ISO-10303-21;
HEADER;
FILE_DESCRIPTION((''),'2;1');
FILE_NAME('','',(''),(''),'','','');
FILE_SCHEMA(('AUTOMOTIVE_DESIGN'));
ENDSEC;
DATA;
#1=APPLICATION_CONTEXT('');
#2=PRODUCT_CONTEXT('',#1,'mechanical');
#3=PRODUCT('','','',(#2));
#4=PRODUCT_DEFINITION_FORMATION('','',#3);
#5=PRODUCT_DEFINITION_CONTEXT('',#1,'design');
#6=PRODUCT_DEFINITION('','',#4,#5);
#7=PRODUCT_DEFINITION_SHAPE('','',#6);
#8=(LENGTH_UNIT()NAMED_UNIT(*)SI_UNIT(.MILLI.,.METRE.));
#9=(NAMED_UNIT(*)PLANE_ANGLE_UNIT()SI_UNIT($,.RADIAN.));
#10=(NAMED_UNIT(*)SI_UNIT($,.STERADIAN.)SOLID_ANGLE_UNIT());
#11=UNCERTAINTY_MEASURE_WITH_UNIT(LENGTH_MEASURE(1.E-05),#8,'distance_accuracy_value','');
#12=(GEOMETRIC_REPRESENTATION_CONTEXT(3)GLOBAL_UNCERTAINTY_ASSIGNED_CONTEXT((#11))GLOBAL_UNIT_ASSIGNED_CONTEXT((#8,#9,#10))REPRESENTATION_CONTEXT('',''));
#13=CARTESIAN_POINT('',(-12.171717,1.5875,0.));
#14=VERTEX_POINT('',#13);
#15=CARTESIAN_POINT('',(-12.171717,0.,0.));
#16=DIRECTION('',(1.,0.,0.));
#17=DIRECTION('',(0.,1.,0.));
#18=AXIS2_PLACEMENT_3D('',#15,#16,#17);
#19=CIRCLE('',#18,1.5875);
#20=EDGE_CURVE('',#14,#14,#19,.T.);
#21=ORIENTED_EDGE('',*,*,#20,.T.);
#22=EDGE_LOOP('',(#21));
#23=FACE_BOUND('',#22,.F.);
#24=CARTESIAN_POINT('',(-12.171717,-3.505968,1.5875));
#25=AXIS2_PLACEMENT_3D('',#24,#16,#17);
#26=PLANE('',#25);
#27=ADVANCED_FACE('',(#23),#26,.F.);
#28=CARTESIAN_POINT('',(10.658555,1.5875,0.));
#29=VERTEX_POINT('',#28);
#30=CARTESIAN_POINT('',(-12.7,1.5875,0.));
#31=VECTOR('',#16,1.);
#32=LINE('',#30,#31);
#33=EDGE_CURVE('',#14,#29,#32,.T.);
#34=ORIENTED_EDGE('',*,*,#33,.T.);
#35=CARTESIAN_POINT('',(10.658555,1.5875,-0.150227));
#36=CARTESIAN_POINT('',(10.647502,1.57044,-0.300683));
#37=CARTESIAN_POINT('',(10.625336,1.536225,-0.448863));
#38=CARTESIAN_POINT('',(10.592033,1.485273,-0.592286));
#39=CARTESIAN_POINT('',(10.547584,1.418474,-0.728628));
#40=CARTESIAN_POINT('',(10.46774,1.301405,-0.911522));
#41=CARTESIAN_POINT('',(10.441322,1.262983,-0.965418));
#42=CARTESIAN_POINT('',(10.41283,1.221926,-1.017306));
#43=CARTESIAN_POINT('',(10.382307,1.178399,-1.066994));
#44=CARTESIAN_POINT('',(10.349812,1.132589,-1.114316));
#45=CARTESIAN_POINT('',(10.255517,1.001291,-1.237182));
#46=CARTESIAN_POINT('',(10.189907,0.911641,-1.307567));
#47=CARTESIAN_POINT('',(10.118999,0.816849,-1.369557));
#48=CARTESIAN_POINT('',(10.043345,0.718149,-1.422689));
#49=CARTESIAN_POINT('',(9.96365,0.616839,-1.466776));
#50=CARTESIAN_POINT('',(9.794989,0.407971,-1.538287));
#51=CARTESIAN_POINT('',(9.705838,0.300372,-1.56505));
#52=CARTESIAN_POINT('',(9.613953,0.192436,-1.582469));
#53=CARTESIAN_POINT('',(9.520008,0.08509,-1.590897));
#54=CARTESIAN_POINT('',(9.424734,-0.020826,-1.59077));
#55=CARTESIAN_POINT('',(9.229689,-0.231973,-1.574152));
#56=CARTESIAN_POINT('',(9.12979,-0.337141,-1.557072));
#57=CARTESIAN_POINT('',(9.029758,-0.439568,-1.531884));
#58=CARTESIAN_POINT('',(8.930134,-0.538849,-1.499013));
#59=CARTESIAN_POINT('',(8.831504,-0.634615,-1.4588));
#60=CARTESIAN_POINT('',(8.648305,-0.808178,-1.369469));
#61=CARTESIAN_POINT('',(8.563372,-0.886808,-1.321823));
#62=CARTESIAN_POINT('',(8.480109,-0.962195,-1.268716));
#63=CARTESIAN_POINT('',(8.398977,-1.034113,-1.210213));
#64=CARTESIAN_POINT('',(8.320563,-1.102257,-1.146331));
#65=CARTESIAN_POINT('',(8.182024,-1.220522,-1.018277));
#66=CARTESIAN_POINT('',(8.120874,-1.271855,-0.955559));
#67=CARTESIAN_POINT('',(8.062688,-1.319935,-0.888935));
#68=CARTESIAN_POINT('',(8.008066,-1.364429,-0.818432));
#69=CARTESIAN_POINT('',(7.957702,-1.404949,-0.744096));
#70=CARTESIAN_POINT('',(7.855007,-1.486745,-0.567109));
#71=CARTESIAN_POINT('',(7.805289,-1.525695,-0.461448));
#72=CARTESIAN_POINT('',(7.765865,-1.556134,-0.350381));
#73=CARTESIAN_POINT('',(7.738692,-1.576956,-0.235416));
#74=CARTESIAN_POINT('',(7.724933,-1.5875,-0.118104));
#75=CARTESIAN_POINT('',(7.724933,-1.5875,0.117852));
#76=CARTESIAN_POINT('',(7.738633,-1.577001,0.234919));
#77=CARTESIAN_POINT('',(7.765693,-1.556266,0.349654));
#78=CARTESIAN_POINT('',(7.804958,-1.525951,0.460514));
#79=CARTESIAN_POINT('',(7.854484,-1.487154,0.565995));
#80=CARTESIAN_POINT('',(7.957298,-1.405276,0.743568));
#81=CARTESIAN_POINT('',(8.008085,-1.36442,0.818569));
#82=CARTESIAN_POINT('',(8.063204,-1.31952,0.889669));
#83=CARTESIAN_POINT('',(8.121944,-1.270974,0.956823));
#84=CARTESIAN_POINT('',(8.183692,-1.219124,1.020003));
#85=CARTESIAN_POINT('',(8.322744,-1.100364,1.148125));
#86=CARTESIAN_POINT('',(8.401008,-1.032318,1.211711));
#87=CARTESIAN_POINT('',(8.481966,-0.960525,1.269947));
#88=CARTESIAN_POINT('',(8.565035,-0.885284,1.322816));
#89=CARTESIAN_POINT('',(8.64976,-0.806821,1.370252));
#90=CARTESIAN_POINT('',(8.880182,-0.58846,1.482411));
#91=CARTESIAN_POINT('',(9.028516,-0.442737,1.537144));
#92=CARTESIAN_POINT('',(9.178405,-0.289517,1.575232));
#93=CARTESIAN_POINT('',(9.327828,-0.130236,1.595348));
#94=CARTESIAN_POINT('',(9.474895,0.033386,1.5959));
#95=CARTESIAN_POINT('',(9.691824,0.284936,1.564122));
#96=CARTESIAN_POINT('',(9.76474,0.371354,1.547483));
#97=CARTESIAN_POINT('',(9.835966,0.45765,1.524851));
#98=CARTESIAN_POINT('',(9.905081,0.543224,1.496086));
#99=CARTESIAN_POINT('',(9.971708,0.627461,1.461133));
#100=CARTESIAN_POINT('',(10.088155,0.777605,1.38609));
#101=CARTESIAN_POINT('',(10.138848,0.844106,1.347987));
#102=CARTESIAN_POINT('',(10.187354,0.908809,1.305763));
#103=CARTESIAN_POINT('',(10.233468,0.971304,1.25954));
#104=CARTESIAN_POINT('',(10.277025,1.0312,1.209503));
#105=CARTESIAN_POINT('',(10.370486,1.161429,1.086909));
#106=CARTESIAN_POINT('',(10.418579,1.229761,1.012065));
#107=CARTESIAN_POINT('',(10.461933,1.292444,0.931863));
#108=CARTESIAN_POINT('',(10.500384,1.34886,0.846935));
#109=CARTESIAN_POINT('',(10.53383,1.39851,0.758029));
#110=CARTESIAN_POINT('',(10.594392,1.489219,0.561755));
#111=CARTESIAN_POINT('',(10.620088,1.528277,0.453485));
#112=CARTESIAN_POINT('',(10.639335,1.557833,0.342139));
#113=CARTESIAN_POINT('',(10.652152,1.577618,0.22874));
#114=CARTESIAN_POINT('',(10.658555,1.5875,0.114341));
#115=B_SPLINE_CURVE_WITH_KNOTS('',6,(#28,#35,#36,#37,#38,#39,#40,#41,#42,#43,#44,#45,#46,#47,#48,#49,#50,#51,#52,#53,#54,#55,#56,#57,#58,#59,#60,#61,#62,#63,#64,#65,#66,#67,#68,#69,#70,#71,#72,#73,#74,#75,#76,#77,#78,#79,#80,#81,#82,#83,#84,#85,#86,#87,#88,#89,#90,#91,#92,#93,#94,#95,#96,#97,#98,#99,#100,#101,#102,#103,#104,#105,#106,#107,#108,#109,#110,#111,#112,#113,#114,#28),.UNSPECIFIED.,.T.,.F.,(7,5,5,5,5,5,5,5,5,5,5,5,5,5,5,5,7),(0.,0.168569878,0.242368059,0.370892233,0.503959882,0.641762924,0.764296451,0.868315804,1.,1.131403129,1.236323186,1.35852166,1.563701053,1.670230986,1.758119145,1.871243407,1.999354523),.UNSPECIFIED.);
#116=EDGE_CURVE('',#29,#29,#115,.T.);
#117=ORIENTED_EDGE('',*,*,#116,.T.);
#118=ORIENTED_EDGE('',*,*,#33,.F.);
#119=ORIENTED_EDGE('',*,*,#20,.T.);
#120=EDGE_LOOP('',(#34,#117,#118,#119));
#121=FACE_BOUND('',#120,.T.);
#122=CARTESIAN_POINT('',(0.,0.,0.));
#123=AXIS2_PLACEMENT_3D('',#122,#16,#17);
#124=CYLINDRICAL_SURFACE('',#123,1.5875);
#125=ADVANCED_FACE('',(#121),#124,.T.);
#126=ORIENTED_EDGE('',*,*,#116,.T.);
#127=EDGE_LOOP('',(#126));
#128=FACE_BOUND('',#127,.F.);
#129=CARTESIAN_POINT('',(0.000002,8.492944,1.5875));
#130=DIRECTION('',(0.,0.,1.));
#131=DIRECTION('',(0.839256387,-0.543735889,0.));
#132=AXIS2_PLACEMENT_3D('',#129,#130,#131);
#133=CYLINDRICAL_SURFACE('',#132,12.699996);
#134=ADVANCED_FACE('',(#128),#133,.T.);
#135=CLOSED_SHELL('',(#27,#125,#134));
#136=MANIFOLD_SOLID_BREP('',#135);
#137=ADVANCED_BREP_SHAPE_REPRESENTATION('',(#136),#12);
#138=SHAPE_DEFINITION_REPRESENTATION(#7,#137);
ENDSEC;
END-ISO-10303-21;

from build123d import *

# Parameters (mm, degrees)
F0_R     = 1.5875
F1_DEPTH = 12.7
F2_W     = 4.18922
F2_H     = 3.175
F3_DEPTH = 1.5875
F4_W     = 3.647596
F4_H     = 5.093468
F4_H_2   = 3.670235
F5_DEPTH = 25.4


with BuildPart() as f1:
    # F0 (on Right) → F1 (new body, symmetric)
    with BuildSketch(Plane.YZ):
        Circle(F0_R)
    extrude(amount=F1_DEPTH, both=True)

    # F2 (on face) → F3 (join)
    with BuildSketch(Plane(origin=(-12.7, 0, 0), x_dir=(0, -1, 0), z_dir=(-1, 0, 0))):
        with Locations((-2.09461, 0)):
            Rectangle(F2_W, F2_H)
    extrude(amount=F3_DEPTH)

    # F4 (on face) → F5 (cut)
    with BuildSketch(Plane.XY.offset(1.5875)):
        with BuildLine():
            ThreePointArc((10.658555, 1.5875), (9.327825, -0.125735), (7.724933, -1.5875))
            Line((7.724933, -1.5875), (12.7, -1.5875))
            Line((12.7, -1.5875), (12.7, 1.5875))
            Line((12.7, 1.5875), (10.658555, 1.5875))
        make_face()
        with Locations((-13.995515, -0.959234)):
            Rectangle(F4_W, F4_H)
        with Locations((-13.995515, 3.422617)):
            Rectangle(F4_W, F4_H_2)
    extrude(amount=-F5_DEPTH, mode=Mode.SUBTRACT)


solid = f1.part
